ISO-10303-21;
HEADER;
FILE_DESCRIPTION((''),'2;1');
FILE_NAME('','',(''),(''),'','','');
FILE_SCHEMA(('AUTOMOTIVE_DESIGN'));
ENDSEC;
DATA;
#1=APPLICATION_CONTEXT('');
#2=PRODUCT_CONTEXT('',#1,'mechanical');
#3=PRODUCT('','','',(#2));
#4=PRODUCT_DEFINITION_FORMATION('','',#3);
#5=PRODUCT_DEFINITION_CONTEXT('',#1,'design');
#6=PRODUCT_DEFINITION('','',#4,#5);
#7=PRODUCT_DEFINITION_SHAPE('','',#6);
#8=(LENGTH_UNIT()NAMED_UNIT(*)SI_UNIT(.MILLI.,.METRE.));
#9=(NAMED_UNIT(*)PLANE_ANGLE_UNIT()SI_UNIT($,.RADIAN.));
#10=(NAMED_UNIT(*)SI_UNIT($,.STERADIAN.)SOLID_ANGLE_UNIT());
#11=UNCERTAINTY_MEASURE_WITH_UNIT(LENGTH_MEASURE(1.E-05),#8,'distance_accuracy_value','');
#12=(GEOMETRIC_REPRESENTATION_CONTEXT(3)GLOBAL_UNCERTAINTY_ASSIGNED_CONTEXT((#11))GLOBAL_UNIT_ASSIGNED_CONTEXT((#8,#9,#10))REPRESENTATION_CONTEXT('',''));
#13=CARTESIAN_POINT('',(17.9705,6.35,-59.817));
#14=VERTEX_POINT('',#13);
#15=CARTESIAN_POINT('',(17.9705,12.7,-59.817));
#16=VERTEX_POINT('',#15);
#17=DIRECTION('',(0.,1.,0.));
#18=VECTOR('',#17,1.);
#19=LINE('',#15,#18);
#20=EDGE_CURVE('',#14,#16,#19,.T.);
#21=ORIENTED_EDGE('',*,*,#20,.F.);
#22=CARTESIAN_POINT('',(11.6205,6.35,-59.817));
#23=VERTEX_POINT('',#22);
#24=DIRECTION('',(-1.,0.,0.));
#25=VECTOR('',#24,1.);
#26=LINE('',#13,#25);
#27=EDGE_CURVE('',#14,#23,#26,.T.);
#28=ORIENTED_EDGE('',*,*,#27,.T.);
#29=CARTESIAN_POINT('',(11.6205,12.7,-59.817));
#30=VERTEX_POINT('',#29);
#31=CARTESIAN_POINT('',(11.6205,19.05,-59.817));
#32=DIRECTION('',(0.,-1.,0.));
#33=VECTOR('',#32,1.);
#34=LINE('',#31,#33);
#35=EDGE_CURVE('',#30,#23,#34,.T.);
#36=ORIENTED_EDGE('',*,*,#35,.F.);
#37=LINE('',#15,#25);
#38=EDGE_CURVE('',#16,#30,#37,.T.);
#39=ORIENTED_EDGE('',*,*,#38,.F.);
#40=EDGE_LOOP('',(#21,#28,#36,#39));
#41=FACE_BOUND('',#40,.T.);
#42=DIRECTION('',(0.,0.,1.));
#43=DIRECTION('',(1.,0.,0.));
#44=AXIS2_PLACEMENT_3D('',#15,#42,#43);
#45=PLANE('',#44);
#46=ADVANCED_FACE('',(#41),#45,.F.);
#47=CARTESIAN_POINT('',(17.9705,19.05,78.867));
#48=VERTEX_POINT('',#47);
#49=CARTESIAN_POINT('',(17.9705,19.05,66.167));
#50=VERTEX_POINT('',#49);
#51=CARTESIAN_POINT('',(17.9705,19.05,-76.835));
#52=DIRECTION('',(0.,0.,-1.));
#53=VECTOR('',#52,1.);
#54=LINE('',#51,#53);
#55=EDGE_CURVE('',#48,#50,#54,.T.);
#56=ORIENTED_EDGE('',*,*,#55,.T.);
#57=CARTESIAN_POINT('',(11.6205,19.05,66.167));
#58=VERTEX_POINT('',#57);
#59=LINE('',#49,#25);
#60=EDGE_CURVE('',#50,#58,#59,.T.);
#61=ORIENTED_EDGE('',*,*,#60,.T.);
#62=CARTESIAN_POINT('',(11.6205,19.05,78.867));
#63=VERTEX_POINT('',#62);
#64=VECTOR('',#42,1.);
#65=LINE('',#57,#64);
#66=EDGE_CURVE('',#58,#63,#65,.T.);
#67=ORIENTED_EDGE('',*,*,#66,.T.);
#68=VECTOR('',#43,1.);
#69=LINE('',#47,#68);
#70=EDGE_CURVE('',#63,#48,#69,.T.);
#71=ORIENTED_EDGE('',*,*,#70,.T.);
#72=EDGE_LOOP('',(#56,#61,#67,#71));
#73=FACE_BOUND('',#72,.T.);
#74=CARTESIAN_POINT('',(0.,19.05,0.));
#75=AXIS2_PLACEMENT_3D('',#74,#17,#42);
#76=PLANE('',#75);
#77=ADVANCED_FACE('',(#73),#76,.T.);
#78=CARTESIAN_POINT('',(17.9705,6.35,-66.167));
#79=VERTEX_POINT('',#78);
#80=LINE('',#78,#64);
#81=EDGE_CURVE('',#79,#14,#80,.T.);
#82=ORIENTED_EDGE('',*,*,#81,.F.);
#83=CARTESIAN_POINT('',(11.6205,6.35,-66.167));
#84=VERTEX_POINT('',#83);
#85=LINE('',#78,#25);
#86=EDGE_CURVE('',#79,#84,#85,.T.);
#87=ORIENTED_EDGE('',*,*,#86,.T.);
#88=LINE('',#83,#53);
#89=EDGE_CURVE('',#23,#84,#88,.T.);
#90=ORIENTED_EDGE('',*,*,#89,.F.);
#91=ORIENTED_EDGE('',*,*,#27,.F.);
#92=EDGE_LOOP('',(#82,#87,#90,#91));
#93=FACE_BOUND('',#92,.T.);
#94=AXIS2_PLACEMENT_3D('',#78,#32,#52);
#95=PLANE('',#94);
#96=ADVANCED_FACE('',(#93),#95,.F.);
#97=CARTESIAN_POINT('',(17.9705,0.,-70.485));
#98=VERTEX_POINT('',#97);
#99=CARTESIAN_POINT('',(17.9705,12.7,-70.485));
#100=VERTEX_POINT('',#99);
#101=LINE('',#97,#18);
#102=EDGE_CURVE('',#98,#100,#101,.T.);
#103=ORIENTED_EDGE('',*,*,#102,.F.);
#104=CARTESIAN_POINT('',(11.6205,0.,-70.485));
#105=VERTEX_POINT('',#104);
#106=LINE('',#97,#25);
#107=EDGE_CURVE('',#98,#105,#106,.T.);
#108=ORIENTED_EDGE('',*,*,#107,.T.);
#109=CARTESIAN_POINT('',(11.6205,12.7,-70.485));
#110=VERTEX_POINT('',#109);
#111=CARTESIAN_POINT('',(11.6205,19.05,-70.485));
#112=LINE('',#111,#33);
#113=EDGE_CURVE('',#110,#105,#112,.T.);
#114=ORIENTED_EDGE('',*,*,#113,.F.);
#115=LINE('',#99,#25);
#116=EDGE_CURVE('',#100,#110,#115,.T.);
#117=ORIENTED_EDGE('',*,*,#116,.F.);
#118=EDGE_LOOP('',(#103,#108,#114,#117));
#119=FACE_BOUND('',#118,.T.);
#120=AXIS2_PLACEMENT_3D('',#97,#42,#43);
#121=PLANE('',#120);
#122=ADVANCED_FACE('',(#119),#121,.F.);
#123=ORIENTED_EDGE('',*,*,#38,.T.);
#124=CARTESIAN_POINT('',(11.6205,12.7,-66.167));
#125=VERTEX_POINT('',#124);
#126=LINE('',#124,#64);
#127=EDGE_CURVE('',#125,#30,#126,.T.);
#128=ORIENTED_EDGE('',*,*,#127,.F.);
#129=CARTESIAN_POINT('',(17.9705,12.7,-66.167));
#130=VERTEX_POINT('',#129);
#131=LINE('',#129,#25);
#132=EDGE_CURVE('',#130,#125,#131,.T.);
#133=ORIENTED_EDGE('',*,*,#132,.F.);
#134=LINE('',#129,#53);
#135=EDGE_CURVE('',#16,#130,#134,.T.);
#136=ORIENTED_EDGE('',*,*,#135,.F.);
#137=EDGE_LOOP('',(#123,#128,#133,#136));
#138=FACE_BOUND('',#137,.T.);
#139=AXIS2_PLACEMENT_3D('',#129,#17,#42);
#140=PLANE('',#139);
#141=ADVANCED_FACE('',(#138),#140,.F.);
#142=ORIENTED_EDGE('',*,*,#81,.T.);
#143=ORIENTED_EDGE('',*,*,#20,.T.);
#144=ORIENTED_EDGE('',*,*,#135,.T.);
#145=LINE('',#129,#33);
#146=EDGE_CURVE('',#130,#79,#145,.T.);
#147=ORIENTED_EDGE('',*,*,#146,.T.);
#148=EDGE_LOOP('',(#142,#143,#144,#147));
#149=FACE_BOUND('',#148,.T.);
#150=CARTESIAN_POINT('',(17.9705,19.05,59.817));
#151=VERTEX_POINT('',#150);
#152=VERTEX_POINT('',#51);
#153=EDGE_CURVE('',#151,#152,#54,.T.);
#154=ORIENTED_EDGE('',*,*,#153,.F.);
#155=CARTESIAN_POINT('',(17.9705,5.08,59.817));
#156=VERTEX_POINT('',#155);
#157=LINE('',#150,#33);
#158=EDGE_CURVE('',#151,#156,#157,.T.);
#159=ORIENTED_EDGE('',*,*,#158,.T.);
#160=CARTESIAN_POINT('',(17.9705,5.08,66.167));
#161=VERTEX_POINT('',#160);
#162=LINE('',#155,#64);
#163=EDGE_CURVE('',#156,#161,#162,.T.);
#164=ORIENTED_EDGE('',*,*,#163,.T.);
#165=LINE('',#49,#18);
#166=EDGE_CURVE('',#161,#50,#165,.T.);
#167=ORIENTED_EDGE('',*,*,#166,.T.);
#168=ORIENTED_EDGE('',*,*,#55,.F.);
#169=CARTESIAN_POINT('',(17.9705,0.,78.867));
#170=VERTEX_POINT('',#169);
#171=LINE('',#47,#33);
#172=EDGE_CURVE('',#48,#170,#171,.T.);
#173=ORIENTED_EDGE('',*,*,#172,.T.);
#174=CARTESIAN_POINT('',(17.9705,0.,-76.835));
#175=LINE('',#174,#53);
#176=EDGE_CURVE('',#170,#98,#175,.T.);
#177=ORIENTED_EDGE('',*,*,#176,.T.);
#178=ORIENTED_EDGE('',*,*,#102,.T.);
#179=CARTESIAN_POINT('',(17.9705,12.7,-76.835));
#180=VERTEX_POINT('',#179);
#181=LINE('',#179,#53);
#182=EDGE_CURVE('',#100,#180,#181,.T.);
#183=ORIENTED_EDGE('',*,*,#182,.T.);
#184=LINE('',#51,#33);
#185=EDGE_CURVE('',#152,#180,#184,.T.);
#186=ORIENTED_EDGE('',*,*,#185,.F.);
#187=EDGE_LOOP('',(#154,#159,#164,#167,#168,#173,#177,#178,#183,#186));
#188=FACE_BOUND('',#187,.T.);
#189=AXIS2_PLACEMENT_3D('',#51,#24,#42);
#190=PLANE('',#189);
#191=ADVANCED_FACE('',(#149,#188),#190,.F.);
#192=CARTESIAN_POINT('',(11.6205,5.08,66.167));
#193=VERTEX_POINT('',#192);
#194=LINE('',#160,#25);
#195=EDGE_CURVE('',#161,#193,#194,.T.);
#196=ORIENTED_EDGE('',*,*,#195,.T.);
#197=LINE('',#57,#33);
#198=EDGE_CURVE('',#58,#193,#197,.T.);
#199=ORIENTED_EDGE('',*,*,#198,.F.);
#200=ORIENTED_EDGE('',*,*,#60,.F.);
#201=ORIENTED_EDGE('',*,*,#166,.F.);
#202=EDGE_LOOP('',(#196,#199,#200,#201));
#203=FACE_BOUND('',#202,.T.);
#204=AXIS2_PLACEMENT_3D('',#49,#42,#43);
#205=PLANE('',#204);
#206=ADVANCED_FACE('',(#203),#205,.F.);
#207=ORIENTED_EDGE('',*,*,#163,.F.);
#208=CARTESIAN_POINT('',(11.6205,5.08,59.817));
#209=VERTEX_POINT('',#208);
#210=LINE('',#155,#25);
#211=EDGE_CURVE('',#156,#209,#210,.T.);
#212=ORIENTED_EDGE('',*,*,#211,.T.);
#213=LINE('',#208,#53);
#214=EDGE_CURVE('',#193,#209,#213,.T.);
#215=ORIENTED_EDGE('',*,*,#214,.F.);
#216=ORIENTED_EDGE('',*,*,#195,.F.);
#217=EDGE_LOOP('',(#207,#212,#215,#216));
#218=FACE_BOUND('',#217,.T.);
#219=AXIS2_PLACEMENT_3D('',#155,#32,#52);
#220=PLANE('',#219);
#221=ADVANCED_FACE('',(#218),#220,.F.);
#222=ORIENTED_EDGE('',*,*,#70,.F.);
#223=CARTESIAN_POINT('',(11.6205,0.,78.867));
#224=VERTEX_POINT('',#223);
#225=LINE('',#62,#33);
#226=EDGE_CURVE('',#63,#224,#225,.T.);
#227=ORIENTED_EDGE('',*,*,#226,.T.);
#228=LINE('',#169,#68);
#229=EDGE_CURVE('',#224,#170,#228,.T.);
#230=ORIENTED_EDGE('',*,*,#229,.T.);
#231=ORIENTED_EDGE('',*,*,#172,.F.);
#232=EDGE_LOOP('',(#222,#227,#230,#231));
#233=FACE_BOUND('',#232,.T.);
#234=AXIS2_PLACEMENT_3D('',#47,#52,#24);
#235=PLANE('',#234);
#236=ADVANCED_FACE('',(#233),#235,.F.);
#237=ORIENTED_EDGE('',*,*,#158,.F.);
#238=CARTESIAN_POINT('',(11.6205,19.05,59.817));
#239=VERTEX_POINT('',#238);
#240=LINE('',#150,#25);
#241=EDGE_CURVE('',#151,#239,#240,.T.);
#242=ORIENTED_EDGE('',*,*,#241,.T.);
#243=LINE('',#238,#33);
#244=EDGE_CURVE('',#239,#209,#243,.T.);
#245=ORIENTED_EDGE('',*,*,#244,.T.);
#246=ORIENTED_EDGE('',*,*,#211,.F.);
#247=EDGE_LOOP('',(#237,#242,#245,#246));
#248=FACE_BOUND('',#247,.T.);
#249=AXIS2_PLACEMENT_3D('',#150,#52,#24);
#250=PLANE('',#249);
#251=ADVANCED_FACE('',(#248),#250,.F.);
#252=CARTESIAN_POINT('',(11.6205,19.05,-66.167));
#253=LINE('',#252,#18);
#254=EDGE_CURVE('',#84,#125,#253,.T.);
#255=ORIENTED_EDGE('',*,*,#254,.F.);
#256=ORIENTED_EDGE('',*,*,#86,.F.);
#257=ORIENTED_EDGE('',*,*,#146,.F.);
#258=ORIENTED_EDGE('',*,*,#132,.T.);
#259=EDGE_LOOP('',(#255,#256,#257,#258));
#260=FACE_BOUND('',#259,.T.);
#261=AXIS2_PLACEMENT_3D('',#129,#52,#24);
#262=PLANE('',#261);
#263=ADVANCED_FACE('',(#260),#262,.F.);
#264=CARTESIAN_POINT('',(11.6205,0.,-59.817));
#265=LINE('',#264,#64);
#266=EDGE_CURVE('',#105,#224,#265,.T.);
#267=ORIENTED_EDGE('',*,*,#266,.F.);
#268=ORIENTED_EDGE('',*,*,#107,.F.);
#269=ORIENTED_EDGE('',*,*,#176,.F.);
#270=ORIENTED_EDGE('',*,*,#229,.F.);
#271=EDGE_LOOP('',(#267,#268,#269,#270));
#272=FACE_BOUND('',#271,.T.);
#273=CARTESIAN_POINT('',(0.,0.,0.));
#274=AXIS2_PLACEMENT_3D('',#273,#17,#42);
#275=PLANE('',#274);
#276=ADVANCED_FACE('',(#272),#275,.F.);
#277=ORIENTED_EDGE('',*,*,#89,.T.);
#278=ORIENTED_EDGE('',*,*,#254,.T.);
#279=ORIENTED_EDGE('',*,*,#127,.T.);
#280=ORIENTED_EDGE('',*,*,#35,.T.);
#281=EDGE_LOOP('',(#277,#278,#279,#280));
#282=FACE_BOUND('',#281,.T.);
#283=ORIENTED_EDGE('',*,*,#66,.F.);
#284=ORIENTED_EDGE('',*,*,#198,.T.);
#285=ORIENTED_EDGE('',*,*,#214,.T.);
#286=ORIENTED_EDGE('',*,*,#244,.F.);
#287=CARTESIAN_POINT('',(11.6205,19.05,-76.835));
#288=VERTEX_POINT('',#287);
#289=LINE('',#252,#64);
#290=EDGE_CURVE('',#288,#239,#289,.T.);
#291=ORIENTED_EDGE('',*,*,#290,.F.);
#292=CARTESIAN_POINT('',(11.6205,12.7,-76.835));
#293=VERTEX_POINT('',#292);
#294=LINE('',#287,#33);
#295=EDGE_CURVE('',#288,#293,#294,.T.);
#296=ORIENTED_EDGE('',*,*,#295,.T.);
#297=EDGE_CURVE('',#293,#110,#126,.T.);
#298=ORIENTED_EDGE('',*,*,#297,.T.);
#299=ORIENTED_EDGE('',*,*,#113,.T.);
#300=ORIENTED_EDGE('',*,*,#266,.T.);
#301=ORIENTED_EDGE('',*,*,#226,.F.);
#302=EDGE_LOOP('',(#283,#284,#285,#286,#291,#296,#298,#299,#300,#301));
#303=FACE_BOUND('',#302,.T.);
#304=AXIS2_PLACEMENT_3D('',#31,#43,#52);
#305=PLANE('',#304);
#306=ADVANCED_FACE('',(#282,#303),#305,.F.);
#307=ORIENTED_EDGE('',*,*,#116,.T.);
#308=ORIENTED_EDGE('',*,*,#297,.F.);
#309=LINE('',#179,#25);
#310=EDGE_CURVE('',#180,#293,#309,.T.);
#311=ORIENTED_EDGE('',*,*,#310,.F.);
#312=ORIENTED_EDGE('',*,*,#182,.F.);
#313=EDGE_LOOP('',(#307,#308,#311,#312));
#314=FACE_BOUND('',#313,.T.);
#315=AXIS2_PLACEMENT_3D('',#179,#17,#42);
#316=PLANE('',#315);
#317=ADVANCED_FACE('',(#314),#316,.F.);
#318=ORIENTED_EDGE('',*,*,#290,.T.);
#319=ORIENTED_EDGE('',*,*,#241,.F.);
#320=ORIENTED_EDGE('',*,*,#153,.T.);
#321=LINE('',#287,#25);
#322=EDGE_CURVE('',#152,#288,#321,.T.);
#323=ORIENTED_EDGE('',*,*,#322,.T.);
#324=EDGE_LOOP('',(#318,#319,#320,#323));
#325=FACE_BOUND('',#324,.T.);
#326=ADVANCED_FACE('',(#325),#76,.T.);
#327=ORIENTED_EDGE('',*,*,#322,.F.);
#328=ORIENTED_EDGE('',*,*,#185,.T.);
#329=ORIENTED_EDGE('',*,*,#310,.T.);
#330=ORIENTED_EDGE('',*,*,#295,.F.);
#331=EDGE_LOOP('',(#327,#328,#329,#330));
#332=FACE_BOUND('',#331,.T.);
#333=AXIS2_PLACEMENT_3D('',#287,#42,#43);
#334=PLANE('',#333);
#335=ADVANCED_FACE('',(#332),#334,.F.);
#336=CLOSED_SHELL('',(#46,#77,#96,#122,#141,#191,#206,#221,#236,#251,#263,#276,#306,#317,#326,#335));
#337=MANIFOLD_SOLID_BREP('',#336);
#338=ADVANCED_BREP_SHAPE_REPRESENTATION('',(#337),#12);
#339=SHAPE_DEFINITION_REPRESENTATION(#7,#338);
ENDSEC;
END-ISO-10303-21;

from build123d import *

# Parameters (mm, degrees)
BOSS_EXTRUDE1_DEPTH = 19.05
SKETCH2_W           = 43.434
SKETCH2_H           = 13.97
MOTOR_HOLE_DEPTH    = 19.05
SKETCH3_W           = 6.35
SKETCH3_H           = 12.7
CUT_EXTRUDE2_DEPTH  = 36.941
SKETCH5_W           = 6.35
SKETCH5_H           = 13.97
SKETCH5_H_2         = 6.35
CUT_EXTRUDE6_DEPTH  = 36.941
SKETCH7_W           = 45.976326486
SKETCH7_H           = 159.787423729
CUT_EXTRUDE7_DEPTH  = 20.05


with BuildPart() as part:
    # Sketch1 → Boss-Extrude1 (new body)
    with BuildSketch(Plane(origin=(0, 0, 0), x_dir=(1, 0, 0), z_dir=(0, 1, 0))):
        Polygon((-10.033, 66.167), (-11.6205, 66.167), (-11.6205, 76.835), (-17.9705, 76.835), (-17.9705, -78.867), (-11.6205, -78.867), (-11.6205, -66.167), (11.6205, -66.167), (11.6205, -78.867), (17.9705, -78.867), (17.9705, 76.835), (11.6205, 76.835), (11.6205, 66.167), (10.033, 66.167), (10.033, 59.817), (11.6205, 59.817), (11.6205, -59.817), (-11.6205, -59.817), (-11.6205, 59.817), (-10.033, 59.817), align=None)
    extrude(amount=BOSS_EXTRUDE1_DEPTH)

    # Sketch2 → Motor Hole (cut)
    with BuildSketch(Plane.ZY.offset(17.9705)):
        with Locations((29.972, 12.065)):
            Rectangle(SKETCH2_W, SKETCH2_H)
    extrude(amount=-MOTOR_HOLE_DEPTH, mode=Mode.SUBTRACT)

    # Sketch3 → Cut-Extrude2 (cut, through all)
    with BuildSketch(Plane.ZY.offset(17.9705)):
        with Locations((-73.66, 6.35)):
            Rectangle(SKETCH3_W, SKETCH3_H)
    extrude(amount=-CUT_EXTRUDE2_DEPTH, mode=Mode.SUBTRACT)

    # Sketch5 → Cut-Extrude6 (cut, through all)
    with BuildSketch(Plane.ZY.offset(17.9705)):
        with Locations((62.992, 12.065)):
            Rectangle(SKETCH5_W, SKETCH5_H)
        with Locations((-62.992, 9.525)):
            Rectangle(SKETCH5_W, SKETCH5_H_2)
    extrude(amount=-CUT_EXTRUDE6_DEPTH, mode=Mode.SUBTRACT)

    # Sketch7 → Cut-Extrude7 (cut, through all)
    with BuildSketch(Plane(origin=(0, 0, 0), x_dir=(1, 0, 0), z_dir=(0, 1, 0))):
        with Locations((-11.367663243, 1.026711865)):
            Rectangle(SKETCH7_W, SKETCH7_H)
    extrude(amount=CUT_EXTRUDE7_DEPTH, mode=Mode.SUBTRACT)


solid = part.part
